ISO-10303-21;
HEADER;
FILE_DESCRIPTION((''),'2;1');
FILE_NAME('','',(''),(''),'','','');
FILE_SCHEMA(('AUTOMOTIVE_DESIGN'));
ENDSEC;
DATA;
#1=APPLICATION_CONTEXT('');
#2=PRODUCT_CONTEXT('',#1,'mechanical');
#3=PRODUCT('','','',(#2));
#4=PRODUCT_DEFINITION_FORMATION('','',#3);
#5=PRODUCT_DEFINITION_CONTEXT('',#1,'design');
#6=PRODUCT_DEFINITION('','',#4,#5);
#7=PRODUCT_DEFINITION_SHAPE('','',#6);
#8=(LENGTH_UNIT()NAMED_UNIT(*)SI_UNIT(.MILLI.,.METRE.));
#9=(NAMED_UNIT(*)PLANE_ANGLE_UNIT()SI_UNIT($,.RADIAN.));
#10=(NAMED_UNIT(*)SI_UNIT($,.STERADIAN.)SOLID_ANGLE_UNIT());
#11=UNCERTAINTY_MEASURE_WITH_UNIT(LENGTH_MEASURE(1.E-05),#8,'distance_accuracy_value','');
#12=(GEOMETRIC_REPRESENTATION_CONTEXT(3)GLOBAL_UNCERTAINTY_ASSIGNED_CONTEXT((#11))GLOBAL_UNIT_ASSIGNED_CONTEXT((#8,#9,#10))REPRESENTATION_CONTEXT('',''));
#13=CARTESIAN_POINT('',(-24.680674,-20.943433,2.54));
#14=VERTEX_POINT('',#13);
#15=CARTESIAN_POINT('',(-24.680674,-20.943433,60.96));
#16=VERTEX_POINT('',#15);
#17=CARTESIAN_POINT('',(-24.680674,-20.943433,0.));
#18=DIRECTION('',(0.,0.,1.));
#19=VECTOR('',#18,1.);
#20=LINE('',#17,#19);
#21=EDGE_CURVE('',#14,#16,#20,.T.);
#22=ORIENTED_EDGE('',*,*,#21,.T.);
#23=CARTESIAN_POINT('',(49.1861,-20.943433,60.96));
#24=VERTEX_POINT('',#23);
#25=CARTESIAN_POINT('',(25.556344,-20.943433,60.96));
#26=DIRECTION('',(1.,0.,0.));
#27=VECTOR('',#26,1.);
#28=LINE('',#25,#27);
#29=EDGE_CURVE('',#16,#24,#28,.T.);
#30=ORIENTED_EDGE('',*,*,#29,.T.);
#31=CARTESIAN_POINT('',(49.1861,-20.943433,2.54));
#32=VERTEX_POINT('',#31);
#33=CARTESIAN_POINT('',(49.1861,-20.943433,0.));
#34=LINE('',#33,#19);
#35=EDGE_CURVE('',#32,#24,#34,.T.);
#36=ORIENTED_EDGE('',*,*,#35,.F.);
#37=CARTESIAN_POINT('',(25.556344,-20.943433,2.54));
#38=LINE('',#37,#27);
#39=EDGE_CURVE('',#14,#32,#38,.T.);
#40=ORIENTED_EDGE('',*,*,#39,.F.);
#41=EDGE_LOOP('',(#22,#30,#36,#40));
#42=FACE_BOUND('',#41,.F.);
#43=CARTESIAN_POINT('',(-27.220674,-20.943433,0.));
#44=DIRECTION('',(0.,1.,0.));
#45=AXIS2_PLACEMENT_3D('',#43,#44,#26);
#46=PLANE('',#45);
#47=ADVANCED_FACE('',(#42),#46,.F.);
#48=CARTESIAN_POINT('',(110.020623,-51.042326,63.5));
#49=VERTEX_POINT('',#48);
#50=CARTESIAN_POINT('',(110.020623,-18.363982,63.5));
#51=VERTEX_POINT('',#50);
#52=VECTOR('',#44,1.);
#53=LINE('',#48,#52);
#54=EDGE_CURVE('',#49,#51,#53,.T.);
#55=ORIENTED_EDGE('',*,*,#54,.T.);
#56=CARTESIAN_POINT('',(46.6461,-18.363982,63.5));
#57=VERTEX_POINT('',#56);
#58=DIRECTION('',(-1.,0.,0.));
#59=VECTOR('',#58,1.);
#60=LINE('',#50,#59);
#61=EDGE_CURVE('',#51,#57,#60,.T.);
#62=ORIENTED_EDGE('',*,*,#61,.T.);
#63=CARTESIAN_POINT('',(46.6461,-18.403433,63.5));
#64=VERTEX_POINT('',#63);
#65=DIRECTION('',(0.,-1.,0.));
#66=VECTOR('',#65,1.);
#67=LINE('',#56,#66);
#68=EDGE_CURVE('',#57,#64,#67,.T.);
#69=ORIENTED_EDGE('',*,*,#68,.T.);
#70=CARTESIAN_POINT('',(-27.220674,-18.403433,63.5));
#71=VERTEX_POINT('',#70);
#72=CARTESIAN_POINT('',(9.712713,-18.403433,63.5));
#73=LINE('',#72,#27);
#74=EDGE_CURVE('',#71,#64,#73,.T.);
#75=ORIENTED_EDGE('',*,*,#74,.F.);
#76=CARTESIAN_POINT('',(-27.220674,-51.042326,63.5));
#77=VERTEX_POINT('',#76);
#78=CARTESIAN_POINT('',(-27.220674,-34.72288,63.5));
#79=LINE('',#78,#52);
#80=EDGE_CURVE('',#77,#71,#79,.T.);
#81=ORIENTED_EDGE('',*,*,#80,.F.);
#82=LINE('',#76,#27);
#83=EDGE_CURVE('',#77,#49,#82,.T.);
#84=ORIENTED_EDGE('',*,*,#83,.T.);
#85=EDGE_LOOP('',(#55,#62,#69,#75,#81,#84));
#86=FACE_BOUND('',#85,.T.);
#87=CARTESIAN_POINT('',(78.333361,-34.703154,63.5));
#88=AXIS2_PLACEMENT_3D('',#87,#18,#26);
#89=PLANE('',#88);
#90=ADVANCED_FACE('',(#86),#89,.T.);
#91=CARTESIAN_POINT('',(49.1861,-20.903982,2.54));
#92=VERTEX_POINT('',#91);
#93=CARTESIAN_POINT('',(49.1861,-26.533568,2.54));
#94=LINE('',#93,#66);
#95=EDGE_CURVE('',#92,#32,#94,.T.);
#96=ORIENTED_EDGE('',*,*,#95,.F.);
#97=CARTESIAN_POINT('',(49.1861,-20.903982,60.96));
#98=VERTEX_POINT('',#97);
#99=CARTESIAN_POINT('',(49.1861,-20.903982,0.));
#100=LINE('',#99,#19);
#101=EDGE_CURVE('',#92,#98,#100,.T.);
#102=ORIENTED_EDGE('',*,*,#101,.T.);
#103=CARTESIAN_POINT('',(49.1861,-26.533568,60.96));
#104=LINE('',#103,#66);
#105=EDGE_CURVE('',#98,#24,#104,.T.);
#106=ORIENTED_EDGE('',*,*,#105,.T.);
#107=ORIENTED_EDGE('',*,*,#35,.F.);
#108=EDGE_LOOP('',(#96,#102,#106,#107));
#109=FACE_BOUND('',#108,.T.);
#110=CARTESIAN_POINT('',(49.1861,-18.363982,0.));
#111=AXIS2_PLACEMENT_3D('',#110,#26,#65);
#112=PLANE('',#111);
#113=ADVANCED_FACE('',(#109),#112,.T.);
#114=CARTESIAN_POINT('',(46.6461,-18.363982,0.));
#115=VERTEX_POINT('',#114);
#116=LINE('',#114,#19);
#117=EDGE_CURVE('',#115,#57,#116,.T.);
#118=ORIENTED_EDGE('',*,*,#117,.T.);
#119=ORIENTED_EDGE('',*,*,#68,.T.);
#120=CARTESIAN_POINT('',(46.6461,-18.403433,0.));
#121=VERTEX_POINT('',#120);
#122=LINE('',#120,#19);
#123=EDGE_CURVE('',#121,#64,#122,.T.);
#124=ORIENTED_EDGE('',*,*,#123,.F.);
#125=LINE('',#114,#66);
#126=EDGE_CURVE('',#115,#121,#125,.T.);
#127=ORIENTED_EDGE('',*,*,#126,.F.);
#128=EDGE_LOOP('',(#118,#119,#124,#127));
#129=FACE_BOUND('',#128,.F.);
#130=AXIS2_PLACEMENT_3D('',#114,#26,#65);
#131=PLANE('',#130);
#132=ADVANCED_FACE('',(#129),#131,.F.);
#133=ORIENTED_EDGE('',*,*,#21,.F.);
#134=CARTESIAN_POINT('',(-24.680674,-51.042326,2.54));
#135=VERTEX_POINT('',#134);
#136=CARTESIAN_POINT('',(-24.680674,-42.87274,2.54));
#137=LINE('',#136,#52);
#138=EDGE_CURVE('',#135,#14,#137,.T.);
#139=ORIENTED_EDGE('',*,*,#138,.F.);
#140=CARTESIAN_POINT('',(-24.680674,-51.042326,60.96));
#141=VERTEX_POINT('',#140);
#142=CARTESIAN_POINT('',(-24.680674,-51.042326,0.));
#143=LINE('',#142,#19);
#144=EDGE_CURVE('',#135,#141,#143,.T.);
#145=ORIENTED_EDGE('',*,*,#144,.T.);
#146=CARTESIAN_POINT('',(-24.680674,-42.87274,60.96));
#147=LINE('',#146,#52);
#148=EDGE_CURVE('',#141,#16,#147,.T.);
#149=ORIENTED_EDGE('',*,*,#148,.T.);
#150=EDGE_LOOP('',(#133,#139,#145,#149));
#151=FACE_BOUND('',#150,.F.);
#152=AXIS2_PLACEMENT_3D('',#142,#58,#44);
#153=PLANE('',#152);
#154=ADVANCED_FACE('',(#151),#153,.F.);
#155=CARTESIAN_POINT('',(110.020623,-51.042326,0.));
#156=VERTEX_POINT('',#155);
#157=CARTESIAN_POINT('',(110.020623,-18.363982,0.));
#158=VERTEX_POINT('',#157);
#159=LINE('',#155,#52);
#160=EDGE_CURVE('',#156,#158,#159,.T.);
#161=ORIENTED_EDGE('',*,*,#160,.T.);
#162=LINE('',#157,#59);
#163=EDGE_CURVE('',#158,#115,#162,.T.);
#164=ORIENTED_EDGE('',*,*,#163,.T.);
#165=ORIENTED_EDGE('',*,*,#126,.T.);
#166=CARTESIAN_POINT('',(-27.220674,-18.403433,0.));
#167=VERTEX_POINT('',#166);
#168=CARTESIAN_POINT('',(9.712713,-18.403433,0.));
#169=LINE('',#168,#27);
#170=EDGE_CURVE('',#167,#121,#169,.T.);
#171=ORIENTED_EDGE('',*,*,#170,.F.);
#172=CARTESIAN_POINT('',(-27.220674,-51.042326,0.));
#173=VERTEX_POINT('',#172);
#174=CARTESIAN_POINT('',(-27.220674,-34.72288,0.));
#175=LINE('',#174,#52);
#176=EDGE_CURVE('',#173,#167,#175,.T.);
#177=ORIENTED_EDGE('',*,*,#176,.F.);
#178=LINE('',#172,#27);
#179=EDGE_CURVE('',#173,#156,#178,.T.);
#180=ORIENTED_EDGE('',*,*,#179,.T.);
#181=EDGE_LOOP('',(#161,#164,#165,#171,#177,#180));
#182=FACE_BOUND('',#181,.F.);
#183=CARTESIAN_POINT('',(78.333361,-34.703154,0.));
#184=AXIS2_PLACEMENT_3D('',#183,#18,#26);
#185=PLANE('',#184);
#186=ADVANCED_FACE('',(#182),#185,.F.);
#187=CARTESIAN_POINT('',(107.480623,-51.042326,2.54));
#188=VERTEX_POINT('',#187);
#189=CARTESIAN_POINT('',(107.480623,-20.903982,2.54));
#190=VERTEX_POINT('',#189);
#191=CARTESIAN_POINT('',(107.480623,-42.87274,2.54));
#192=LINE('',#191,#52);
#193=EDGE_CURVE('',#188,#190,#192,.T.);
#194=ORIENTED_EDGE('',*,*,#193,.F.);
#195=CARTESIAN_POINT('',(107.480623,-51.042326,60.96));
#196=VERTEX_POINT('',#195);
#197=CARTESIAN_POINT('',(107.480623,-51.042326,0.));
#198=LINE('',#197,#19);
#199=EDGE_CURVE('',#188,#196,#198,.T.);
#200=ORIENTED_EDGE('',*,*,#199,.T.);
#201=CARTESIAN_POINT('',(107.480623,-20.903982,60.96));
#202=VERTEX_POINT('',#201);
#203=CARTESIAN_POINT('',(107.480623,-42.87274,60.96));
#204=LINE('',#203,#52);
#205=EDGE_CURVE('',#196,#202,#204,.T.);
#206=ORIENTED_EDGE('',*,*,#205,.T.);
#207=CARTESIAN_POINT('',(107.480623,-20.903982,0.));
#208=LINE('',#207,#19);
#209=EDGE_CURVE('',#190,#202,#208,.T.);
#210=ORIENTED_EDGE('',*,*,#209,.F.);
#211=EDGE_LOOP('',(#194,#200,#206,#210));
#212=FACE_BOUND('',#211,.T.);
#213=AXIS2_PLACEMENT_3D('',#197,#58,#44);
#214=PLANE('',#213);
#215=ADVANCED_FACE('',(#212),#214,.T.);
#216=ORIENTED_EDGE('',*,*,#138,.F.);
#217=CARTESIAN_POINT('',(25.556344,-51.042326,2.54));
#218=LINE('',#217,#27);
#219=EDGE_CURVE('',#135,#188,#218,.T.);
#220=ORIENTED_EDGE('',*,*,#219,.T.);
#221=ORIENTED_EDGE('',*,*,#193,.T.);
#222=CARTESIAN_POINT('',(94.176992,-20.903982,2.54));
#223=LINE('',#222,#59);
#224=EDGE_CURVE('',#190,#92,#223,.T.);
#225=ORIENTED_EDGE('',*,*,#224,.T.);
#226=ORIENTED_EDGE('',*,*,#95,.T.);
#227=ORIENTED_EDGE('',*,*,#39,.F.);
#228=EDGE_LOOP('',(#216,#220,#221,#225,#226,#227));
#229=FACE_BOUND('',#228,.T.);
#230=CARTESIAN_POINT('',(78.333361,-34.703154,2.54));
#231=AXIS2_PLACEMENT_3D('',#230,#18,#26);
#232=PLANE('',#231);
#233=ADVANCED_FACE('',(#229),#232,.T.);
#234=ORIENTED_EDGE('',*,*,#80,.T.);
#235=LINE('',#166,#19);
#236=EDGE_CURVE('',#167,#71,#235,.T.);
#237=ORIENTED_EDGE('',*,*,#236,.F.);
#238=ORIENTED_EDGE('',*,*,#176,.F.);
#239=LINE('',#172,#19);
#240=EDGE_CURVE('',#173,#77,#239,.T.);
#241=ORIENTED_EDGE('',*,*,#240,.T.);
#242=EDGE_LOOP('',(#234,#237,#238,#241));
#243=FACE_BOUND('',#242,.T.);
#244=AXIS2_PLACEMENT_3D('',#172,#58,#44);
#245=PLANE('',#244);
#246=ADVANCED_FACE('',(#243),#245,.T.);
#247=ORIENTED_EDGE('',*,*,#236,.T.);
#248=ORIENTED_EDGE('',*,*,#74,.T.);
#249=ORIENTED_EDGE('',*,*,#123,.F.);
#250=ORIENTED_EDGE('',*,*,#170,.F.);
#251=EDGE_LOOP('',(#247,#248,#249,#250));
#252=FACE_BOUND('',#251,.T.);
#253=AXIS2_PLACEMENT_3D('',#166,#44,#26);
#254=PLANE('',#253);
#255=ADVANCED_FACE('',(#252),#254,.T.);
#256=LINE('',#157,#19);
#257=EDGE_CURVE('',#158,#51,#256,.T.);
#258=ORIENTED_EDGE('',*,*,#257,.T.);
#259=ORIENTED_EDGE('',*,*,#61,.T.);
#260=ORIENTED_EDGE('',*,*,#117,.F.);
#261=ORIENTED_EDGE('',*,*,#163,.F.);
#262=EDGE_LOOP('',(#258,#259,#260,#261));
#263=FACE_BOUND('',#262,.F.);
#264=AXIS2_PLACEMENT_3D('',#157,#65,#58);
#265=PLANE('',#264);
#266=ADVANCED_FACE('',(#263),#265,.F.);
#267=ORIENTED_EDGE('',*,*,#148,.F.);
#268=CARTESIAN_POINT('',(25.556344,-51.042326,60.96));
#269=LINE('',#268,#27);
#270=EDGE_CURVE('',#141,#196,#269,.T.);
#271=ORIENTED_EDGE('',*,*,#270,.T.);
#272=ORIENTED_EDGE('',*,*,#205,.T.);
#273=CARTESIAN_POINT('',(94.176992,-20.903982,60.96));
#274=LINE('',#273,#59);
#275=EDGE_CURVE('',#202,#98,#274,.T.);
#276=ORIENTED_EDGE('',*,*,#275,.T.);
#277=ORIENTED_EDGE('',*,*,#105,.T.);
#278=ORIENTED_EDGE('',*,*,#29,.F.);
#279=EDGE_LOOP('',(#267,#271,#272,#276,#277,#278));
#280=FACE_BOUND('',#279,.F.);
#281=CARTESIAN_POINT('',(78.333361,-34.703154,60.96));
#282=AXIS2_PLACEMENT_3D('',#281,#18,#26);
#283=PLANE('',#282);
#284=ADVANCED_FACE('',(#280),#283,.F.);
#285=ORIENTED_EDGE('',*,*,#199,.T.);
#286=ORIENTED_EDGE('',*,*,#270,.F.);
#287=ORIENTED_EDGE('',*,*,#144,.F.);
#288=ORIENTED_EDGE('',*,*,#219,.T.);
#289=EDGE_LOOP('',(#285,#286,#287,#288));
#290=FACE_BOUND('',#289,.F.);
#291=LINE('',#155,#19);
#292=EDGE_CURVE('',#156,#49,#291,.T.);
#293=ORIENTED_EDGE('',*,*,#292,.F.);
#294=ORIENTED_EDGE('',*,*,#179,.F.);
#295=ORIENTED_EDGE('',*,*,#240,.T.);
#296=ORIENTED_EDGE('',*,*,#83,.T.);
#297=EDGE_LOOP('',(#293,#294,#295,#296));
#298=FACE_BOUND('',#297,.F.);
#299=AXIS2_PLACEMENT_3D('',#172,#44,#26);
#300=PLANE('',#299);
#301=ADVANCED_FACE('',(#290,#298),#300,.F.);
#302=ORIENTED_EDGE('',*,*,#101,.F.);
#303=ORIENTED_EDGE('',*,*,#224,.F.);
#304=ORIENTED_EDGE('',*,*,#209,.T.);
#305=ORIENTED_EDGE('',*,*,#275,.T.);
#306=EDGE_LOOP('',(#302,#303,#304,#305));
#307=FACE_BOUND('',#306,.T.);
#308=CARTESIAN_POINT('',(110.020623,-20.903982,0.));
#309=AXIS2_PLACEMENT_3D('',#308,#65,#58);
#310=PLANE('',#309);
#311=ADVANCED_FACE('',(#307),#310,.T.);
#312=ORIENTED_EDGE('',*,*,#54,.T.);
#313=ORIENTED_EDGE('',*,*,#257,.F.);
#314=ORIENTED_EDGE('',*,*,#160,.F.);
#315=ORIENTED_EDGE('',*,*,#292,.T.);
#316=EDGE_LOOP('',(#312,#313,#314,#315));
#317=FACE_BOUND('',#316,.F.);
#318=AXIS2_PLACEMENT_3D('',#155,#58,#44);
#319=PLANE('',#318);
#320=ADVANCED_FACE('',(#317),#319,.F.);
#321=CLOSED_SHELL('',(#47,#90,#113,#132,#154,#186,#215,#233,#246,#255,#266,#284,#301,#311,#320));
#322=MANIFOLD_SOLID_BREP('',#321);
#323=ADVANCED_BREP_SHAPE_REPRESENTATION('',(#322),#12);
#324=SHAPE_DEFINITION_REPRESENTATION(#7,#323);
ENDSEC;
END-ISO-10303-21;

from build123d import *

# Parameters (mm, degrees)
F0_W     = 73.8667733967
F0_H     = 32.6388925314
F1_DEPTH = 63.5
F2_T     = -2.54


with BuildPart() as f1:
    # F0 (on Top) → F1 (new body)
    with BuildSketch(Plane.XY):
        Polygon((46.6460995376, -18.4034332633), (46.6460995376, -51.0423257947), (110.020622611, -51.0423257947), (110.020622611, -18.363982439), (46.6460995376, -18.363982439), align=None)
        with Locations((9.7127128392, -34.722879529)):
            Rectangle(F0_W, F0_H)
    extrude(amount=F1_DEPTH)

    # F2
    f2_openings = [f1.faces().sort_by_distance(p)[0] for p in [
        (41.399974, -51.042326, 31.75),
    ]]
    offset(amount=F2_T, openings=f2_openings, kind=Kind.INTERSECTION)


solid = f1.part
